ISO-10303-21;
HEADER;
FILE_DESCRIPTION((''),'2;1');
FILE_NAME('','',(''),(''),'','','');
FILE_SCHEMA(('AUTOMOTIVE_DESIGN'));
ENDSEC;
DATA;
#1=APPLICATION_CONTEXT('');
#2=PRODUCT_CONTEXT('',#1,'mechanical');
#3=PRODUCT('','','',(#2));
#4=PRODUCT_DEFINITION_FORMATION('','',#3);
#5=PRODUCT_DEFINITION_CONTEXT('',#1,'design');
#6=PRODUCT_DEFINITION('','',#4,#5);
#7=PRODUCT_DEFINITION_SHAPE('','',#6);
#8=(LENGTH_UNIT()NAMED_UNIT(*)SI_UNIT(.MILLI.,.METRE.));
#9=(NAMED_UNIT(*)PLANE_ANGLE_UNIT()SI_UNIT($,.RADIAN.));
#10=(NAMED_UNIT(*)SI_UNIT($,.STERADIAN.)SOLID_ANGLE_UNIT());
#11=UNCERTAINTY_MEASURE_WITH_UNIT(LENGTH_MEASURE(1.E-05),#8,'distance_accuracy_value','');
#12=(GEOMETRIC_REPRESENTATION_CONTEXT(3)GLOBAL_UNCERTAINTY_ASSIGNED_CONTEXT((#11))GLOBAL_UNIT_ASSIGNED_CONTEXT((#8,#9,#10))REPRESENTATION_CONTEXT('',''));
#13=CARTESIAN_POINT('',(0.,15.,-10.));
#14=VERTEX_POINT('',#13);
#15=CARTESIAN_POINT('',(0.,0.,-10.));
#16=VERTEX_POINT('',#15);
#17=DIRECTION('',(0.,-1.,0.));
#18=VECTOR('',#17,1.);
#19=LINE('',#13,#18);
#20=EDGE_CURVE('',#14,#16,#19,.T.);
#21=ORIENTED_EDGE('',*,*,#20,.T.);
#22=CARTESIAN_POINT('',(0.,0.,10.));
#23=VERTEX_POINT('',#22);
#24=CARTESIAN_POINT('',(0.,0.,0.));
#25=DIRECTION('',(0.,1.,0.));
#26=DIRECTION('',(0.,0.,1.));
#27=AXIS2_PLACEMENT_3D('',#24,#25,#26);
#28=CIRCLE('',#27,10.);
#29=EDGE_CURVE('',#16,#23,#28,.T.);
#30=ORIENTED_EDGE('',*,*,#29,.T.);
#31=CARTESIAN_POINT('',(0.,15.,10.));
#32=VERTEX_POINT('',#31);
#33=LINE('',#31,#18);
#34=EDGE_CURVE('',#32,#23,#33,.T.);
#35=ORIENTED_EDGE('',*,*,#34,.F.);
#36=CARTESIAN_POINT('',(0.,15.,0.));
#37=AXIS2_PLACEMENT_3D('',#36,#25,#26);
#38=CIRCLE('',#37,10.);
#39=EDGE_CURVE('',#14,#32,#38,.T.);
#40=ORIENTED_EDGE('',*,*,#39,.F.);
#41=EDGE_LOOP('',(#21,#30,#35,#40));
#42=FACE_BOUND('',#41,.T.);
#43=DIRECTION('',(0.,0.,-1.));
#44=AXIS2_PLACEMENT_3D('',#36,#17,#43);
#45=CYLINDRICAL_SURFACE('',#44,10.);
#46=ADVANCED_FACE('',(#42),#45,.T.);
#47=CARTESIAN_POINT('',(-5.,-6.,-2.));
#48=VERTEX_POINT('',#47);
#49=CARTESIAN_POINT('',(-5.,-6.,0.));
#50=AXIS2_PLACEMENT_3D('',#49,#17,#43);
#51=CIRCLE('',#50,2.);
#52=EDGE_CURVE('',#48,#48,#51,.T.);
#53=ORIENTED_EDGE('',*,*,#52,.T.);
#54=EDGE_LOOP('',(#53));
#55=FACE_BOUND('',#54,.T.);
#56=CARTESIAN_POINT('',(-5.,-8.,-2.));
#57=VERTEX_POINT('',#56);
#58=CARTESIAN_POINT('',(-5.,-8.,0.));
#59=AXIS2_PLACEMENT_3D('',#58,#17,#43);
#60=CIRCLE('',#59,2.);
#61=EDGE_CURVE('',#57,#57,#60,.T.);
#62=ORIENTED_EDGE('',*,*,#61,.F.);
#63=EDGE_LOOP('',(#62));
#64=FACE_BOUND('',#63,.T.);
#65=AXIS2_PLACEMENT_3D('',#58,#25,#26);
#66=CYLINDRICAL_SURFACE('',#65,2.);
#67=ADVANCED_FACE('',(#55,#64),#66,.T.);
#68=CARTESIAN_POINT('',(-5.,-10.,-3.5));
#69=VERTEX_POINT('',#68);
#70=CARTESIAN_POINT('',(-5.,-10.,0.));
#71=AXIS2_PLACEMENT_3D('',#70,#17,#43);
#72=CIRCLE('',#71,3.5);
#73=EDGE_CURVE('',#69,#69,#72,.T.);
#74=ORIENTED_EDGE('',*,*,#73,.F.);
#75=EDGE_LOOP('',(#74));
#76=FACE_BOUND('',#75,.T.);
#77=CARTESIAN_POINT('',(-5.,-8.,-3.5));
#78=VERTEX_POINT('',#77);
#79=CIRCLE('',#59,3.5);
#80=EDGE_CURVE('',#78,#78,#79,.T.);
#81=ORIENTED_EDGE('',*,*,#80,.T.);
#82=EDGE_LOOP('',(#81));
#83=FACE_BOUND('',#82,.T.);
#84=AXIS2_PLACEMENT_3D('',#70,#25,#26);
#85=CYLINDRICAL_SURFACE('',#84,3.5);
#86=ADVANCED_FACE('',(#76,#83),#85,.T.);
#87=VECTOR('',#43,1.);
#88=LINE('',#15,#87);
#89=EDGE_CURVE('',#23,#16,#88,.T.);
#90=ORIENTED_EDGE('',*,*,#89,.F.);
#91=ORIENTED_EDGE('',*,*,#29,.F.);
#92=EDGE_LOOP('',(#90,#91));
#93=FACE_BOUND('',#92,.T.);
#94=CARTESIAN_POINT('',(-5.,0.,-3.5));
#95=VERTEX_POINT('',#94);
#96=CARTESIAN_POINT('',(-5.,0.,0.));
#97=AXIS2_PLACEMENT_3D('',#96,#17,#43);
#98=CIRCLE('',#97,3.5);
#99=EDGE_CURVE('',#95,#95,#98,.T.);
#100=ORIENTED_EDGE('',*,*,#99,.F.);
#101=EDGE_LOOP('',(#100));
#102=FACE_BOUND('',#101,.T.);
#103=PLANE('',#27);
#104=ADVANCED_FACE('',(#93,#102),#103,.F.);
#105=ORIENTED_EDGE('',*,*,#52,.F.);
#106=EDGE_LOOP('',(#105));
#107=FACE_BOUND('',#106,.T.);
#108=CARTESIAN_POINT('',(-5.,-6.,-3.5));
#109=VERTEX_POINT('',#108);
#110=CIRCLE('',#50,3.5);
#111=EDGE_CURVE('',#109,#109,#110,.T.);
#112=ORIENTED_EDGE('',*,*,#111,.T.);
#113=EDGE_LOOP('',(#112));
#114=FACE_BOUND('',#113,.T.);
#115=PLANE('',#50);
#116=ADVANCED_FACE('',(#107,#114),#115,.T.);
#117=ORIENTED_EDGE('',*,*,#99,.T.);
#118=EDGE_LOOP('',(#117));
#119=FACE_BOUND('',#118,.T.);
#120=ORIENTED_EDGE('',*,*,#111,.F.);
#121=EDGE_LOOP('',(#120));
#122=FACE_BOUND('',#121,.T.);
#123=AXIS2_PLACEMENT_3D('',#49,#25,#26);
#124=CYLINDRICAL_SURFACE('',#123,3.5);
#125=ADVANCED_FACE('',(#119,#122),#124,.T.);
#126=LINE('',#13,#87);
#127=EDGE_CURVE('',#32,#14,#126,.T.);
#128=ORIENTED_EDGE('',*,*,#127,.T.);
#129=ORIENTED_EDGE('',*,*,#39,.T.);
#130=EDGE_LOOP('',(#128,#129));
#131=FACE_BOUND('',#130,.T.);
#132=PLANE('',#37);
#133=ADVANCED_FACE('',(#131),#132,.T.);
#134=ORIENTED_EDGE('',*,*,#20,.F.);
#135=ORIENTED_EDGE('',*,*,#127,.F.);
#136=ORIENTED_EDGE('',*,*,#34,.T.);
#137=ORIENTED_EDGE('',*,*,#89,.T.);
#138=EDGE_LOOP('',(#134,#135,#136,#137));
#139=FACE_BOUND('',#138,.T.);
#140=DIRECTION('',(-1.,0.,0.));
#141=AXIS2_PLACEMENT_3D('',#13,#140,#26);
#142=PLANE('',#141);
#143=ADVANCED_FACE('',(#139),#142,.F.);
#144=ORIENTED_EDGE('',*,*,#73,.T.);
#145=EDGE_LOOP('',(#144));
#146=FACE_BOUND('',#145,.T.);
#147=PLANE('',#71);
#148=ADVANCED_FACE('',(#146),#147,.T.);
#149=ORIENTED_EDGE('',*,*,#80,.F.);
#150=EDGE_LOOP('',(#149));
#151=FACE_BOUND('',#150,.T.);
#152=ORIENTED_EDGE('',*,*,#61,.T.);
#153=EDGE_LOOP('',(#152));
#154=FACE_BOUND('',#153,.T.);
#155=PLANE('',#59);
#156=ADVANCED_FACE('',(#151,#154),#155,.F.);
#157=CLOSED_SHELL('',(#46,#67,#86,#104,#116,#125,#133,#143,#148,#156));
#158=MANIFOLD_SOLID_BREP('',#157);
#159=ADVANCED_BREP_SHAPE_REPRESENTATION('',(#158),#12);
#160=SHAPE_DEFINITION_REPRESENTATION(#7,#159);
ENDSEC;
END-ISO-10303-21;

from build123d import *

# Parameters (mm, degrees)
SALIENTE_EXTRUIR1_DEPTH = 15
CROQUIS3_R              = 3.5
SALIENTE_EXTRUIR2_DEPTH = 6
CROQUIS5_R              = 2
SALIENTE_EXTRUIR4_DEPTH = 2
CROQUIS7_R              = 3.5
SALIENTE_EXTRUIR5_DEPTH = 2


with BuildPart() as part:
    # Croquis2 → Saliente-Extruir1 (new body)
    with BuildSketch(Plane(origin=(0, 0, 0), x_dir=(1, 0, 0), z_dir=(0, 1, 0))):
        with BuildLine():
            Line((0, 10), (0, -10))
            ThreePointArc((0, -10), (-10, 0), (0, 10))
        make_face()
    extrude(amount=SALIENTE_EXTRUIR1_DEPTH)

    # Croquis3 → Saliente-Extruir2 (add)
    with BuildSketch(Plane.XZ):
        with Locations(Location((-5, 0, 0), (0, 0, 270))):
            Circle(CROQUIS3_R)
    extrude(amount=SALIENTE_EXTRUIR2_DEPTH)

    # Croquis5 → Saliente-Extruir4 (add)
    with BuildSketch(Plane.XZ.offset(6)):
        with Locations(Location((-5, 0, 0), (0, 0, 270))):
            Circle(CROQUIS5_R)
    extrude(amount=SALIENTE_EXTRUIR4_DEPTH)

    # Croquis7 → Saliente-Extruir5 (add)
    with BuildSketch(Plane.XZ.offset(8)):
        with Locations(Location((-5, 0, 0), (0, 0, 270))):
            Circle(CROQUIS7_R)
    extrude(amount=SALIENTE_EXTRUIR5_DEPTH)


solid = part.part
